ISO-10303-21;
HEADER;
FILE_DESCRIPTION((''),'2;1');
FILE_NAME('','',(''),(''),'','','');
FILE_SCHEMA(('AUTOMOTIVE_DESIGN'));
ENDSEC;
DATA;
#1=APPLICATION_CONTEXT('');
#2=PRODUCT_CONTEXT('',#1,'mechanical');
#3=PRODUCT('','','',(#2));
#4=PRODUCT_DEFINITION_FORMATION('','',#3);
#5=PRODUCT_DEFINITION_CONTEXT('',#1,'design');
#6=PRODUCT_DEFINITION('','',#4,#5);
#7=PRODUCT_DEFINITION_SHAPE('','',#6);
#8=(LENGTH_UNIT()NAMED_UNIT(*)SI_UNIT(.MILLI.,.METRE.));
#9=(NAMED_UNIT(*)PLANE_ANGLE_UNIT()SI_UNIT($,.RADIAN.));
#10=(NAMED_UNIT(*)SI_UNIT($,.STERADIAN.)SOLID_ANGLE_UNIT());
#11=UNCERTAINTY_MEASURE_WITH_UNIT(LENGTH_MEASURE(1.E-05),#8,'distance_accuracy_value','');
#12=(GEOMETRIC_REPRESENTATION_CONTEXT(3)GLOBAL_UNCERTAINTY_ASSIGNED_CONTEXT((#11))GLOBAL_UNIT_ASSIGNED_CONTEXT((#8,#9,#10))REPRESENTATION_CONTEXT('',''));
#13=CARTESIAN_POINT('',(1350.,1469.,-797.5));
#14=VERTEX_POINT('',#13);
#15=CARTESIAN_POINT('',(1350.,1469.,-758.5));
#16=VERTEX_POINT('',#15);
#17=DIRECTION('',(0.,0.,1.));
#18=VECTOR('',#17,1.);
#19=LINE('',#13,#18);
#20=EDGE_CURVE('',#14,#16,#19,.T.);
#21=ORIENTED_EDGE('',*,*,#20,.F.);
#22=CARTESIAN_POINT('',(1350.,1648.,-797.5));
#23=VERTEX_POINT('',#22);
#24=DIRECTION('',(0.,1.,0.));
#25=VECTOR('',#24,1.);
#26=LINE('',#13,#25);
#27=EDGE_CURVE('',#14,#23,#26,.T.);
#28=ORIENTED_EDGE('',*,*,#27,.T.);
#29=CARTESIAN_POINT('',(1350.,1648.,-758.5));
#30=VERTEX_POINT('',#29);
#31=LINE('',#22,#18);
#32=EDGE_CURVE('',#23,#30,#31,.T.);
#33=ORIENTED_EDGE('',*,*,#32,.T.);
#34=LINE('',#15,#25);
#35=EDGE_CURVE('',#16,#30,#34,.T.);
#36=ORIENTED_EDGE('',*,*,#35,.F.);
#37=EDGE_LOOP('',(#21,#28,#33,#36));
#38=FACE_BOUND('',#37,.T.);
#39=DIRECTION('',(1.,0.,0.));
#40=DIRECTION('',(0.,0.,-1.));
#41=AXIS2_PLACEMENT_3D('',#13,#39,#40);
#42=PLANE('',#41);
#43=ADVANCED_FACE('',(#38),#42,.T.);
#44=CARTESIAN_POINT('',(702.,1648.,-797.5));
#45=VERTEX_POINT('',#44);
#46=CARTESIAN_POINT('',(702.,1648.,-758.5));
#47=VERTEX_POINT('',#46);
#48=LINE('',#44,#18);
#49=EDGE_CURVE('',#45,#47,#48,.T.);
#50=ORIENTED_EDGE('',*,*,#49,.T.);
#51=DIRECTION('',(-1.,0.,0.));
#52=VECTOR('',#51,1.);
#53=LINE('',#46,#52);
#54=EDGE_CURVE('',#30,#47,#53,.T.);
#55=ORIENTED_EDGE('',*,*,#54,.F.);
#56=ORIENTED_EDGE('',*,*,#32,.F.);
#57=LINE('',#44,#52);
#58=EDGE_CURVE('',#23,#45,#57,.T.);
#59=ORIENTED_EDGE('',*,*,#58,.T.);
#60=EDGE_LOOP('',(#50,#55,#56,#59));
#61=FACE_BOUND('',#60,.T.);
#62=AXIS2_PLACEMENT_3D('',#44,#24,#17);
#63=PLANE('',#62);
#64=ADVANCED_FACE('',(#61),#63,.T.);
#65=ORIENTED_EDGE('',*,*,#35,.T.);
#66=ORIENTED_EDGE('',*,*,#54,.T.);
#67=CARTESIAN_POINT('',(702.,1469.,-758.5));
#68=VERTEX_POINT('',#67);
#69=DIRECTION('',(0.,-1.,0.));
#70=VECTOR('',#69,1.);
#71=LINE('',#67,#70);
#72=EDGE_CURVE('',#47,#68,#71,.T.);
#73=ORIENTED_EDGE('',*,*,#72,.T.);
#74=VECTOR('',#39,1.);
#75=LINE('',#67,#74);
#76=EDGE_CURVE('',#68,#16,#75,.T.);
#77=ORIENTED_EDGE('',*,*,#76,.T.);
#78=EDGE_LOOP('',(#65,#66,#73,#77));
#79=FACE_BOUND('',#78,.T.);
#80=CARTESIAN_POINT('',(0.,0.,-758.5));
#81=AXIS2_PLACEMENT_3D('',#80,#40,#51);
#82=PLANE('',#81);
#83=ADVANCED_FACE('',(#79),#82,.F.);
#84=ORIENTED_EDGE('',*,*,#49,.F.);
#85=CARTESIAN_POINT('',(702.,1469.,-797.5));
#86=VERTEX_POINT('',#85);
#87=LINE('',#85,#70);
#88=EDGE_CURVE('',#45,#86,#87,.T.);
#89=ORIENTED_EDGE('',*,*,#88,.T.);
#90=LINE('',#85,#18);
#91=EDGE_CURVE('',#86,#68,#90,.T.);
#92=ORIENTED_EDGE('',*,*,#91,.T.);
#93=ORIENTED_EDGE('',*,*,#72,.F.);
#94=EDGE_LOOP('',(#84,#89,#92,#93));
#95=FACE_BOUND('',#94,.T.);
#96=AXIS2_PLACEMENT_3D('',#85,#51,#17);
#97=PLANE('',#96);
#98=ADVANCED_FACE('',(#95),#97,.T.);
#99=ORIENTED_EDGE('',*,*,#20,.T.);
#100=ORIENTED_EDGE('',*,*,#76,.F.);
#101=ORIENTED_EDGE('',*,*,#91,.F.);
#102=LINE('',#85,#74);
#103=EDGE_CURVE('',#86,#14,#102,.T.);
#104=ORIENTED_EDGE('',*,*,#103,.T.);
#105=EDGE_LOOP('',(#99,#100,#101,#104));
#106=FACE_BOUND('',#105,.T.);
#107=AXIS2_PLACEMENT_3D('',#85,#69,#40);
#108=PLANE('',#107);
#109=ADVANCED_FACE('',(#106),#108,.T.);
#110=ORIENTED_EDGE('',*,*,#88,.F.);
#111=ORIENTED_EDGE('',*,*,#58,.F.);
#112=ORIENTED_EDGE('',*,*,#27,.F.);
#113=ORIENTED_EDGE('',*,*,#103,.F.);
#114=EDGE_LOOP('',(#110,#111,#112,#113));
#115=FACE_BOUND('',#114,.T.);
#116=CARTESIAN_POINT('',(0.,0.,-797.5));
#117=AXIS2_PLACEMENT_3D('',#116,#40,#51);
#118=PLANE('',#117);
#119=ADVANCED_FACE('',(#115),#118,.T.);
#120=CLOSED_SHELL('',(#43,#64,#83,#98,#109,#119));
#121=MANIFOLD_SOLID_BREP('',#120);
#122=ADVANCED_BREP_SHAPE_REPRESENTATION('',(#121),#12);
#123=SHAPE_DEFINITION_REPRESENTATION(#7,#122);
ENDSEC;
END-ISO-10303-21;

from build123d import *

# Parameters (mm, degrees)
DET_PU_DILIMI_ARKA_1_START = -758.5
SKETCH1_W                  = 648
SKETCH1_H                  = 179
DET_PU_DILIMI_ARKA_1_DEPTH = 39


with BuildPart() as part:
    # Sketch1 → DET_PU_dilimi_arka_1 (new body)
    with BuildSketch(Plane.XY.offset(DET_PU_DILIMI_ARKA_1_START)):
        with Locations((1026, 1558.5)):
            Rectangle(SKETCH1_W, SKETCH1_H)
    extrude(amount=-DET_PU_DILIMI_ARKA_1_DEPTH)


solid = part.part
